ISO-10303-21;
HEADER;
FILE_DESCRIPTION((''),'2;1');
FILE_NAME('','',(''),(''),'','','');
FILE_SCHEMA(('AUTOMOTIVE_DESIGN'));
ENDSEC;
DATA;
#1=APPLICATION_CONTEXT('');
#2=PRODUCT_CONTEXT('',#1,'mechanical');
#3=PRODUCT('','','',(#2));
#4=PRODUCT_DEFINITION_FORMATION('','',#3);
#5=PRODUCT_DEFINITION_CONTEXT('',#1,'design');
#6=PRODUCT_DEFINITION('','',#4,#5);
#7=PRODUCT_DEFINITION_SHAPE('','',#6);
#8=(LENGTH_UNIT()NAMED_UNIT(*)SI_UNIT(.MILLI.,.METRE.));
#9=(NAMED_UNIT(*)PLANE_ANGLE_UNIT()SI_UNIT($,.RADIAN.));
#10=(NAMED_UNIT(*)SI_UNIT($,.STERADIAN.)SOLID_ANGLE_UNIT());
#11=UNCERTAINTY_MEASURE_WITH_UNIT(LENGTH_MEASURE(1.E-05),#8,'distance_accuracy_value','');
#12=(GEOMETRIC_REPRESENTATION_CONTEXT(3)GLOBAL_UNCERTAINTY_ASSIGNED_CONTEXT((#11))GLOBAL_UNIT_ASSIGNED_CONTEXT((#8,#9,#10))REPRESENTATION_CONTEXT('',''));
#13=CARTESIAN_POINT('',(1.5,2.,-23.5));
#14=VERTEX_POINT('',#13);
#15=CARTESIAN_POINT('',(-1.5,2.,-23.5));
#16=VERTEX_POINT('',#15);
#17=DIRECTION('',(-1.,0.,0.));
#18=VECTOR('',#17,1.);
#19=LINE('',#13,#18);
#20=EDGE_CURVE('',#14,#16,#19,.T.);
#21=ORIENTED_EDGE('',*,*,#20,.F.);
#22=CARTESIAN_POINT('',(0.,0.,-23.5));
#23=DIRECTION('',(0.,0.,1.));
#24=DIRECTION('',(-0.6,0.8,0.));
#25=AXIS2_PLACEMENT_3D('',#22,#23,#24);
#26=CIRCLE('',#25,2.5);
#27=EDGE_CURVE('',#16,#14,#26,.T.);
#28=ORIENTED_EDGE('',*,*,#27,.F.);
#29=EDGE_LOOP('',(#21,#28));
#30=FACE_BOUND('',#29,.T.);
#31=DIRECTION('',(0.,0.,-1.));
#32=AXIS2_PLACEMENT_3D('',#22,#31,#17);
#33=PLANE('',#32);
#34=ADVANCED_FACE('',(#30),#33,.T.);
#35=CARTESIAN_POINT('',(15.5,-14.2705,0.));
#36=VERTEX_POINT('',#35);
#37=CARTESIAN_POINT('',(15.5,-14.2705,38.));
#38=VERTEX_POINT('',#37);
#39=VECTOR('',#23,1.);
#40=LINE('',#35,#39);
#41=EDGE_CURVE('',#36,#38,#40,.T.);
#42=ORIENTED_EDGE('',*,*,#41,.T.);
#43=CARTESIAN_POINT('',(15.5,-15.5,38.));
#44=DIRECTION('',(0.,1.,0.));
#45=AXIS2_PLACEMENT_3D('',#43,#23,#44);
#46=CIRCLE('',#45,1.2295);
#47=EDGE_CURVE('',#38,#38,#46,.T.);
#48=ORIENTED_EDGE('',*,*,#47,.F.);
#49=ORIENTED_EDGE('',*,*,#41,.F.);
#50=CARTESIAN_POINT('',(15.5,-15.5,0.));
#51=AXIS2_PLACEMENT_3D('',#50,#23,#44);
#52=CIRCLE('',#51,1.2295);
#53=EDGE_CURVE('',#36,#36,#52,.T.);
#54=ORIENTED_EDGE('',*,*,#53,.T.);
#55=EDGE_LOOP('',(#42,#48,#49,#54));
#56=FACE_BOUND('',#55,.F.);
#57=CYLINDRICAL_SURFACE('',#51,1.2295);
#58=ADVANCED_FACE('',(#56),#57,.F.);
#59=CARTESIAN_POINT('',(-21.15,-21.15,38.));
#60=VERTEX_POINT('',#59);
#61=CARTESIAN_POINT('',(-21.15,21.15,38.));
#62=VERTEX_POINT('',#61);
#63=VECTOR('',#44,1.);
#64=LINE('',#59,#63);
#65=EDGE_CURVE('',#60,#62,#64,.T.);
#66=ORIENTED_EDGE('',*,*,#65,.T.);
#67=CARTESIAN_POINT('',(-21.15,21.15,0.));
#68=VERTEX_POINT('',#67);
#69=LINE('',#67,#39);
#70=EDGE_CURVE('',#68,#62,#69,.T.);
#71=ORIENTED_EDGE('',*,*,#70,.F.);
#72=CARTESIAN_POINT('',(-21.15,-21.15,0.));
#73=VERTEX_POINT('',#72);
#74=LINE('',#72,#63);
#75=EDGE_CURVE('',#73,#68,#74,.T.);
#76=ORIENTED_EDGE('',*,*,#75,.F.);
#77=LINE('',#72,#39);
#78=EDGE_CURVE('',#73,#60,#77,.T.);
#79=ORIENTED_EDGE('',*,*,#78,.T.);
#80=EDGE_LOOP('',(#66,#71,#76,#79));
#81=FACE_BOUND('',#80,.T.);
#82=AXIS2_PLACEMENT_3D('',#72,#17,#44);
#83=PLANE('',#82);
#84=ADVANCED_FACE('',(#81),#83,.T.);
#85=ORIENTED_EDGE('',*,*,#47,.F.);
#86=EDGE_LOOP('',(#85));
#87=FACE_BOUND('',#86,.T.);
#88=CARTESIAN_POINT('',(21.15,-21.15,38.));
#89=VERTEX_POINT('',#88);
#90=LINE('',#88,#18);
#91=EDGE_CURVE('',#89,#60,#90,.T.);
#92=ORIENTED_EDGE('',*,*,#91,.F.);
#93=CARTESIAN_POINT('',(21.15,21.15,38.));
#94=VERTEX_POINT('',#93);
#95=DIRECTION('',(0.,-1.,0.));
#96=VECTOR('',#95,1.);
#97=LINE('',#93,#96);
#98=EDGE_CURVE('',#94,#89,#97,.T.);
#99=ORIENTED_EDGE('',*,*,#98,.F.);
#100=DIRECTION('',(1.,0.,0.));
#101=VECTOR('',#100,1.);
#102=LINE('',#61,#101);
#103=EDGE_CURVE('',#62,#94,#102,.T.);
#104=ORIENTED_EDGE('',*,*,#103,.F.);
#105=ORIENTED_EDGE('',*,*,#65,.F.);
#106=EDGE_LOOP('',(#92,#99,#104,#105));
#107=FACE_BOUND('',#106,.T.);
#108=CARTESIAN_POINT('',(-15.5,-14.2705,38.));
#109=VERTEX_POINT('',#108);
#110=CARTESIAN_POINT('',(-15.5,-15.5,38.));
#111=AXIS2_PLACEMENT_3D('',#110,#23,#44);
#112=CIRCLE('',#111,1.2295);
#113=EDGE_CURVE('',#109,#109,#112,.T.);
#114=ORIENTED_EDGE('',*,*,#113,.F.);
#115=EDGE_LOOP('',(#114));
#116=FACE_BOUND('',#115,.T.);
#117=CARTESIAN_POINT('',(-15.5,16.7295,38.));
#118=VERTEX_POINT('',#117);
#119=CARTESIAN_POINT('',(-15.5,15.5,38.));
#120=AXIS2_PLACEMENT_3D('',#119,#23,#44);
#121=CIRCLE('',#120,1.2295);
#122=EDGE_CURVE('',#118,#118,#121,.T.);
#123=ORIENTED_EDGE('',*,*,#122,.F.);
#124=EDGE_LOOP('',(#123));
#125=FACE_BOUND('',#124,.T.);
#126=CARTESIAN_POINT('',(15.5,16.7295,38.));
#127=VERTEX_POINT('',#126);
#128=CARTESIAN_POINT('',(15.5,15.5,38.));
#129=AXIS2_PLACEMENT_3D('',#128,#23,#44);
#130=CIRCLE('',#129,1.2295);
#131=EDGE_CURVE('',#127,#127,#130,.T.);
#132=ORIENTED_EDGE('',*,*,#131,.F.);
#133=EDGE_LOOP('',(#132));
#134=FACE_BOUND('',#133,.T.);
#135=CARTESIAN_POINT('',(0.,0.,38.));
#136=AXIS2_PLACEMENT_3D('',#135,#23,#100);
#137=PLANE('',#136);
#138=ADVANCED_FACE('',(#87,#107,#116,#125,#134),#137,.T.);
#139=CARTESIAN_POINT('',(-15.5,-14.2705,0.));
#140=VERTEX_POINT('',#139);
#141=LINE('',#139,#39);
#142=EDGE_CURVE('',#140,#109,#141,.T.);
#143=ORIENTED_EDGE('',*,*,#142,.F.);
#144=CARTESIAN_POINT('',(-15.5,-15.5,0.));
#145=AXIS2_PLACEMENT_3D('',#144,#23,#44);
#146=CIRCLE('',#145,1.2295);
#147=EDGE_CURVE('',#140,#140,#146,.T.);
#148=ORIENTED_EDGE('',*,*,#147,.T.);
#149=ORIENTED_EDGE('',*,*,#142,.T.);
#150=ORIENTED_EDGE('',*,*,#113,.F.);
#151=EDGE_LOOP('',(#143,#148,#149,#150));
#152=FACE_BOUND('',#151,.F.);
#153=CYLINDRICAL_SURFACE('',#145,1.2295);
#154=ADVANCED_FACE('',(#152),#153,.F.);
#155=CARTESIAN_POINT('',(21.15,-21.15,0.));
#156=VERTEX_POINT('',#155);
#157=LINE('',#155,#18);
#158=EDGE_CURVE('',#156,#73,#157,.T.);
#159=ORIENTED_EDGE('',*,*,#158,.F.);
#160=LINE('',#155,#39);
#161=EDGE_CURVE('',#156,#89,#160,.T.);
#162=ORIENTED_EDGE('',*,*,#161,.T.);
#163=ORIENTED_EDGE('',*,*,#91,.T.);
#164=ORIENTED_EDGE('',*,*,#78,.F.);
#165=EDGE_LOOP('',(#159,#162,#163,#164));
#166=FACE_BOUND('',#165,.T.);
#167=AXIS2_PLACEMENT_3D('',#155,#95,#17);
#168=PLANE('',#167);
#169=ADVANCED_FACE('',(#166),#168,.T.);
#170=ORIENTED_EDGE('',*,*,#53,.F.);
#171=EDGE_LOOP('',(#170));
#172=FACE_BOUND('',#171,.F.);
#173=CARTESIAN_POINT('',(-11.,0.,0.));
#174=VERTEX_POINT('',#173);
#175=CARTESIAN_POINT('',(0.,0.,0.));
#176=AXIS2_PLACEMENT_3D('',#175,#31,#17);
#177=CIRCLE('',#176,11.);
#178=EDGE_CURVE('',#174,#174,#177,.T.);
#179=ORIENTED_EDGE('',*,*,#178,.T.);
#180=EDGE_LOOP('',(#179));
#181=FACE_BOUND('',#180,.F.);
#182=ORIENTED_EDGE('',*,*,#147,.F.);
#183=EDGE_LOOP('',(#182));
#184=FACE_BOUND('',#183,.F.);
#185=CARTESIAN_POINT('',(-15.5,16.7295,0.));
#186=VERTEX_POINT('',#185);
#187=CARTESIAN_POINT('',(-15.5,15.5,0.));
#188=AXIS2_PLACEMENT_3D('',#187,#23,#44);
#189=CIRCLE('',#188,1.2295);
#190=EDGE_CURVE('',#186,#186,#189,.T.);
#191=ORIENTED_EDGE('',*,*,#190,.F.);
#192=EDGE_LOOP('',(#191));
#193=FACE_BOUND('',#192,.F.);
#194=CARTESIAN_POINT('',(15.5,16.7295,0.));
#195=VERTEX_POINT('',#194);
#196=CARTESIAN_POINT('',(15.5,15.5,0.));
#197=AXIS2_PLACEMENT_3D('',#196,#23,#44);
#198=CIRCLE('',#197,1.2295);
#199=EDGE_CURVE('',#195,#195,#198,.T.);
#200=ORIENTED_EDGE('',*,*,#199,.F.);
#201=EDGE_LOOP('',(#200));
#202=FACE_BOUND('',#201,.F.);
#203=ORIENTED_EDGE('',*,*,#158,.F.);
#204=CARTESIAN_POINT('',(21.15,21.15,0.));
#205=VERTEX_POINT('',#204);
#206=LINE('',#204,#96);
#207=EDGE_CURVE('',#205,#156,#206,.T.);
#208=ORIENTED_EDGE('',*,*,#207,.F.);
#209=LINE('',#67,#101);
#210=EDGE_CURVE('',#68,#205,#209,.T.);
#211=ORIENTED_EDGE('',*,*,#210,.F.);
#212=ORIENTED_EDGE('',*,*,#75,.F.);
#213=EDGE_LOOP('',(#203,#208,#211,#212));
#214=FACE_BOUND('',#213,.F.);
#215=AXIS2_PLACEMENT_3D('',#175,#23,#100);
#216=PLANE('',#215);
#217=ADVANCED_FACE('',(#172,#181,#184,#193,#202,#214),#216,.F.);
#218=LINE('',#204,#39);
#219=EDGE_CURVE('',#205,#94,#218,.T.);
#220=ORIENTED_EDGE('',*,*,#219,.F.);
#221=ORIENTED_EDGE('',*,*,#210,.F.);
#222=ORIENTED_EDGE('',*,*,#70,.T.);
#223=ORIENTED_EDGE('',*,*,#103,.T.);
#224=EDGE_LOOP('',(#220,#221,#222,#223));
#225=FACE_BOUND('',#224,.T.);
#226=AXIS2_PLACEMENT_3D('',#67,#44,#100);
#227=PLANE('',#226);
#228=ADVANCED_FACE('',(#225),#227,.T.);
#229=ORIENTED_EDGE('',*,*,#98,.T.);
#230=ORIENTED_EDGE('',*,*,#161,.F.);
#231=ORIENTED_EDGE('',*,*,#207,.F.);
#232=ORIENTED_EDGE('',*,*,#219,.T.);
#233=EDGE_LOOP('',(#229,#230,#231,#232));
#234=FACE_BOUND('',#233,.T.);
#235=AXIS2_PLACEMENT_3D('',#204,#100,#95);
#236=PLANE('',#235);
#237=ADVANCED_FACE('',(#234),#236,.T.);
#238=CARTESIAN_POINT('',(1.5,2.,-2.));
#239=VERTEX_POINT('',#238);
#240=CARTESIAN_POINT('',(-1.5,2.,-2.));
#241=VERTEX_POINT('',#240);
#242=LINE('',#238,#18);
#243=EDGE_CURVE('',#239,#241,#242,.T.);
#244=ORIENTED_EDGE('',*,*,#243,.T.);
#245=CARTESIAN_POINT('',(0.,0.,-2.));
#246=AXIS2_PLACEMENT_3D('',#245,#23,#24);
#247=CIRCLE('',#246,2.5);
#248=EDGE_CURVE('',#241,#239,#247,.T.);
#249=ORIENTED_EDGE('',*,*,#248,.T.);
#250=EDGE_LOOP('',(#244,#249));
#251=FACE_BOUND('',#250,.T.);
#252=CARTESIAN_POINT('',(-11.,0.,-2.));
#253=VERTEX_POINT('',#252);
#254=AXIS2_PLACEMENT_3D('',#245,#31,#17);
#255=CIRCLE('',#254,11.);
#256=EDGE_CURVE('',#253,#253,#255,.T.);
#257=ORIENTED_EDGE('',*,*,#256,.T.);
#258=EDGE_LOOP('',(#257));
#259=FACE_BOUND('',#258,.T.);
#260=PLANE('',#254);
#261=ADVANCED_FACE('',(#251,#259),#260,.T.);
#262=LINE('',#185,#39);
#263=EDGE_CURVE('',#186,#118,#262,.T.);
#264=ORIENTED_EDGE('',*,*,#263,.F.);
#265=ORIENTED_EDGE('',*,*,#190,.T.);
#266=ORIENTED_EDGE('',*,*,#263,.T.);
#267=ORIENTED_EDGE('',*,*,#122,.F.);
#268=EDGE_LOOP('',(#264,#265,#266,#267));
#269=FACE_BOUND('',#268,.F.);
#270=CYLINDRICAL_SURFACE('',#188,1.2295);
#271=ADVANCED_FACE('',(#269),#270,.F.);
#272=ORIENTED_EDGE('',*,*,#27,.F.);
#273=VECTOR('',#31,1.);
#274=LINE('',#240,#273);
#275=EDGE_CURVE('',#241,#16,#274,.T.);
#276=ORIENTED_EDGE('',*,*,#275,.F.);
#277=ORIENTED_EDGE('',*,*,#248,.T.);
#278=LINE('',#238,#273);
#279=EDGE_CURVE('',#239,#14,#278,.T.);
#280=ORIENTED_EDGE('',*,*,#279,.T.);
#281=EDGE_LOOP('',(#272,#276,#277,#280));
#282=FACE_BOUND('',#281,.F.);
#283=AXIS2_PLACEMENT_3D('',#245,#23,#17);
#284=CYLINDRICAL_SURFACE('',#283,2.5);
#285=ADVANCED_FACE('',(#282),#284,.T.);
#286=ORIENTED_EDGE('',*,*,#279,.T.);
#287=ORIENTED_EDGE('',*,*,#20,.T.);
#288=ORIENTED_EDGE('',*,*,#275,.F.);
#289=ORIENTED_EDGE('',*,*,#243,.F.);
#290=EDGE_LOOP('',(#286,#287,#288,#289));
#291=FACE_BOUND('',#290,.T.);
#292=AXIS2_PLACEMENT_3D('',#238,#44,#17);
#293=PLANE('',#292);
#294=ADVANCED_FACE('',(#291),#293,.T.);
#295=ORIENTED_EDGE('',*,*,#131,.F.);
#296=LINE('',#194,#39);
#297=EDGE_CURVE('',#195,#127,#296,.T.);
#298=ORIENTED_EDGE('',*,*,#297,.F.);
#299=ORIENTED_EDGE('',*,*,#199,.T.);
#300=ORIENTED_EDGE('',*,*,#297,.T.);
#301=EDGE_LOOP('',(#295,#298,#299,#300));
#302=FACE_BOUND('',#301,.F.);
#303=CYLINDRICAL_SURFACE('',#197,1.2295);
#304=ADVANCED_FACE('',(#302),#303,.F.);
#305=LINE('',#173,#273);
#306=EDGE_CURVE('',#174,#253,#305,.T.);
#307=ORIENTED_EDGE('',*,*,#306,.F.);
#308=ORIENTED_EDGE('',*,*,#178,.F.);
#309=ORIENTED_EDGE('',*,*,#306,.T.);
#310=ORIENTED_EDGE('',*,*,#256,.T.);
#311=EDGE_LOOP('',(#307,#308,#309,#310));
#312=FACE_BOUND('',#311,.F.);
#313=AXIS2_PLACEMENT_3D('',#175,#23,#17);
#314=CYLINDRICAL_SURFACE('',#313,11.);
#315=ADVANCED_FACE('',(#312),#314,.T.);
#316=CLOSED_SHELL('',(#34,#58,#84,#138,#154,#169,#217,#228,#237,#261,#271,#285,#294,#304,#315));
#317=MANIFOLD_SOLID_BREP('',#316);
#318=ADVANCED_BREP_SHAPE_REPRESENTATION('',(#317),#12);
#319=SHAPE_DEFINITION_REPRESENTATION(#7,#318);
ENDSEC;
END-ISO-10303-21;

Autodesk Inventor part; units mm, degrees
ref_plane "YZ Plane" through (0, 0, 0) normal (1, 0, 0) x (0, 1, 0)
ref_plane "XZ Plane" through (0, 0, 0) normal (0, 1, 0) x (-1, 0, 0)
ref_plane "XY Plane" through (0, 0, 0) normal (0, 0, 1) x (1, 0, 0)
sketch "Sketch1" plane through (0, 0, 0) normal (0, 0, 1) x (1, 0, 0)
  line L0 (21.15, -21.15) -> (-21.15, -21.15)
  line L1 (-21.15, -21.15) -> (-21.15, 21.15)
  line L2 (-21.15, 21.15) -> (21.15, 21.15)
  line L3 (21.15, 21.15) -> (21.15, -21.15)
  line L4 (21.15, -21.15) -> (-21.15, 21.15) construction
  line L5 (-21.15, -21.15) -> (21.15, 21.15) construction
  point P0 (0, 0)
  dimension "d0" = 42.3
extrude "Extrusion1" add sketch "Sketch1" along normal blind 38
sketch "Sketch2" plane through (0, 0, 0) normal (0, 0, -1) x (-1, 0, 0)
  line L0 (15.5, -15.5) -> (-15.5, -15.5)
  line L1 (-15.5, -15.5) -> (-15.5, 15.5)
  line L2 (-15.5, 15.5) -> (15.5, 15.5)
  line L3 (15.5, 15.5) -> (15.5, -15.5)
  line L4 (15.5, -15.5) -> (-15.5, 15.5) construction
  line L5 (-15.5, -15.5) -> (15.5, 15.5) construction
  point P0 (0, 0)
  dimension "d3" = 31
hole "Hole1" at (15.5, 15.5, 0) at (-15.5, 15.5, 0) at (-15.5, -15.5, 0) at (15.5, -15.5, 0) direction (0, 0, 1) diameter 2.459 end through all thread size "M3x0.5" class "6H" standard "ANSI Metric M Profile"
sketch "Sketch3" plane through (0, 0, 0) normal (0, 0, -1) x (-1, 0, 0)
  circle A0 centre (0, 0) radius 11
  dimension "d11" = 22
extrude "Extrusion2" add sketch "Sketch3" along normal blind 2
sketch "Sketch4" plane through (0, 0, -2) normal (0, 0, -1) x (-1, 0, 0)
  circle A0 centre (0, 0) radius 2.5
  line L0 (-1.5, 2) -> (1.5, 2)
  dimension "d14" = 5
  dimension "d15" = 4.5
extrude "Extrusion3" add sketch "Sketch4" along normal blind 21.5 contours A0 L0 picked at (0.1119, 0.5076)
properties part number "NEMA17"
